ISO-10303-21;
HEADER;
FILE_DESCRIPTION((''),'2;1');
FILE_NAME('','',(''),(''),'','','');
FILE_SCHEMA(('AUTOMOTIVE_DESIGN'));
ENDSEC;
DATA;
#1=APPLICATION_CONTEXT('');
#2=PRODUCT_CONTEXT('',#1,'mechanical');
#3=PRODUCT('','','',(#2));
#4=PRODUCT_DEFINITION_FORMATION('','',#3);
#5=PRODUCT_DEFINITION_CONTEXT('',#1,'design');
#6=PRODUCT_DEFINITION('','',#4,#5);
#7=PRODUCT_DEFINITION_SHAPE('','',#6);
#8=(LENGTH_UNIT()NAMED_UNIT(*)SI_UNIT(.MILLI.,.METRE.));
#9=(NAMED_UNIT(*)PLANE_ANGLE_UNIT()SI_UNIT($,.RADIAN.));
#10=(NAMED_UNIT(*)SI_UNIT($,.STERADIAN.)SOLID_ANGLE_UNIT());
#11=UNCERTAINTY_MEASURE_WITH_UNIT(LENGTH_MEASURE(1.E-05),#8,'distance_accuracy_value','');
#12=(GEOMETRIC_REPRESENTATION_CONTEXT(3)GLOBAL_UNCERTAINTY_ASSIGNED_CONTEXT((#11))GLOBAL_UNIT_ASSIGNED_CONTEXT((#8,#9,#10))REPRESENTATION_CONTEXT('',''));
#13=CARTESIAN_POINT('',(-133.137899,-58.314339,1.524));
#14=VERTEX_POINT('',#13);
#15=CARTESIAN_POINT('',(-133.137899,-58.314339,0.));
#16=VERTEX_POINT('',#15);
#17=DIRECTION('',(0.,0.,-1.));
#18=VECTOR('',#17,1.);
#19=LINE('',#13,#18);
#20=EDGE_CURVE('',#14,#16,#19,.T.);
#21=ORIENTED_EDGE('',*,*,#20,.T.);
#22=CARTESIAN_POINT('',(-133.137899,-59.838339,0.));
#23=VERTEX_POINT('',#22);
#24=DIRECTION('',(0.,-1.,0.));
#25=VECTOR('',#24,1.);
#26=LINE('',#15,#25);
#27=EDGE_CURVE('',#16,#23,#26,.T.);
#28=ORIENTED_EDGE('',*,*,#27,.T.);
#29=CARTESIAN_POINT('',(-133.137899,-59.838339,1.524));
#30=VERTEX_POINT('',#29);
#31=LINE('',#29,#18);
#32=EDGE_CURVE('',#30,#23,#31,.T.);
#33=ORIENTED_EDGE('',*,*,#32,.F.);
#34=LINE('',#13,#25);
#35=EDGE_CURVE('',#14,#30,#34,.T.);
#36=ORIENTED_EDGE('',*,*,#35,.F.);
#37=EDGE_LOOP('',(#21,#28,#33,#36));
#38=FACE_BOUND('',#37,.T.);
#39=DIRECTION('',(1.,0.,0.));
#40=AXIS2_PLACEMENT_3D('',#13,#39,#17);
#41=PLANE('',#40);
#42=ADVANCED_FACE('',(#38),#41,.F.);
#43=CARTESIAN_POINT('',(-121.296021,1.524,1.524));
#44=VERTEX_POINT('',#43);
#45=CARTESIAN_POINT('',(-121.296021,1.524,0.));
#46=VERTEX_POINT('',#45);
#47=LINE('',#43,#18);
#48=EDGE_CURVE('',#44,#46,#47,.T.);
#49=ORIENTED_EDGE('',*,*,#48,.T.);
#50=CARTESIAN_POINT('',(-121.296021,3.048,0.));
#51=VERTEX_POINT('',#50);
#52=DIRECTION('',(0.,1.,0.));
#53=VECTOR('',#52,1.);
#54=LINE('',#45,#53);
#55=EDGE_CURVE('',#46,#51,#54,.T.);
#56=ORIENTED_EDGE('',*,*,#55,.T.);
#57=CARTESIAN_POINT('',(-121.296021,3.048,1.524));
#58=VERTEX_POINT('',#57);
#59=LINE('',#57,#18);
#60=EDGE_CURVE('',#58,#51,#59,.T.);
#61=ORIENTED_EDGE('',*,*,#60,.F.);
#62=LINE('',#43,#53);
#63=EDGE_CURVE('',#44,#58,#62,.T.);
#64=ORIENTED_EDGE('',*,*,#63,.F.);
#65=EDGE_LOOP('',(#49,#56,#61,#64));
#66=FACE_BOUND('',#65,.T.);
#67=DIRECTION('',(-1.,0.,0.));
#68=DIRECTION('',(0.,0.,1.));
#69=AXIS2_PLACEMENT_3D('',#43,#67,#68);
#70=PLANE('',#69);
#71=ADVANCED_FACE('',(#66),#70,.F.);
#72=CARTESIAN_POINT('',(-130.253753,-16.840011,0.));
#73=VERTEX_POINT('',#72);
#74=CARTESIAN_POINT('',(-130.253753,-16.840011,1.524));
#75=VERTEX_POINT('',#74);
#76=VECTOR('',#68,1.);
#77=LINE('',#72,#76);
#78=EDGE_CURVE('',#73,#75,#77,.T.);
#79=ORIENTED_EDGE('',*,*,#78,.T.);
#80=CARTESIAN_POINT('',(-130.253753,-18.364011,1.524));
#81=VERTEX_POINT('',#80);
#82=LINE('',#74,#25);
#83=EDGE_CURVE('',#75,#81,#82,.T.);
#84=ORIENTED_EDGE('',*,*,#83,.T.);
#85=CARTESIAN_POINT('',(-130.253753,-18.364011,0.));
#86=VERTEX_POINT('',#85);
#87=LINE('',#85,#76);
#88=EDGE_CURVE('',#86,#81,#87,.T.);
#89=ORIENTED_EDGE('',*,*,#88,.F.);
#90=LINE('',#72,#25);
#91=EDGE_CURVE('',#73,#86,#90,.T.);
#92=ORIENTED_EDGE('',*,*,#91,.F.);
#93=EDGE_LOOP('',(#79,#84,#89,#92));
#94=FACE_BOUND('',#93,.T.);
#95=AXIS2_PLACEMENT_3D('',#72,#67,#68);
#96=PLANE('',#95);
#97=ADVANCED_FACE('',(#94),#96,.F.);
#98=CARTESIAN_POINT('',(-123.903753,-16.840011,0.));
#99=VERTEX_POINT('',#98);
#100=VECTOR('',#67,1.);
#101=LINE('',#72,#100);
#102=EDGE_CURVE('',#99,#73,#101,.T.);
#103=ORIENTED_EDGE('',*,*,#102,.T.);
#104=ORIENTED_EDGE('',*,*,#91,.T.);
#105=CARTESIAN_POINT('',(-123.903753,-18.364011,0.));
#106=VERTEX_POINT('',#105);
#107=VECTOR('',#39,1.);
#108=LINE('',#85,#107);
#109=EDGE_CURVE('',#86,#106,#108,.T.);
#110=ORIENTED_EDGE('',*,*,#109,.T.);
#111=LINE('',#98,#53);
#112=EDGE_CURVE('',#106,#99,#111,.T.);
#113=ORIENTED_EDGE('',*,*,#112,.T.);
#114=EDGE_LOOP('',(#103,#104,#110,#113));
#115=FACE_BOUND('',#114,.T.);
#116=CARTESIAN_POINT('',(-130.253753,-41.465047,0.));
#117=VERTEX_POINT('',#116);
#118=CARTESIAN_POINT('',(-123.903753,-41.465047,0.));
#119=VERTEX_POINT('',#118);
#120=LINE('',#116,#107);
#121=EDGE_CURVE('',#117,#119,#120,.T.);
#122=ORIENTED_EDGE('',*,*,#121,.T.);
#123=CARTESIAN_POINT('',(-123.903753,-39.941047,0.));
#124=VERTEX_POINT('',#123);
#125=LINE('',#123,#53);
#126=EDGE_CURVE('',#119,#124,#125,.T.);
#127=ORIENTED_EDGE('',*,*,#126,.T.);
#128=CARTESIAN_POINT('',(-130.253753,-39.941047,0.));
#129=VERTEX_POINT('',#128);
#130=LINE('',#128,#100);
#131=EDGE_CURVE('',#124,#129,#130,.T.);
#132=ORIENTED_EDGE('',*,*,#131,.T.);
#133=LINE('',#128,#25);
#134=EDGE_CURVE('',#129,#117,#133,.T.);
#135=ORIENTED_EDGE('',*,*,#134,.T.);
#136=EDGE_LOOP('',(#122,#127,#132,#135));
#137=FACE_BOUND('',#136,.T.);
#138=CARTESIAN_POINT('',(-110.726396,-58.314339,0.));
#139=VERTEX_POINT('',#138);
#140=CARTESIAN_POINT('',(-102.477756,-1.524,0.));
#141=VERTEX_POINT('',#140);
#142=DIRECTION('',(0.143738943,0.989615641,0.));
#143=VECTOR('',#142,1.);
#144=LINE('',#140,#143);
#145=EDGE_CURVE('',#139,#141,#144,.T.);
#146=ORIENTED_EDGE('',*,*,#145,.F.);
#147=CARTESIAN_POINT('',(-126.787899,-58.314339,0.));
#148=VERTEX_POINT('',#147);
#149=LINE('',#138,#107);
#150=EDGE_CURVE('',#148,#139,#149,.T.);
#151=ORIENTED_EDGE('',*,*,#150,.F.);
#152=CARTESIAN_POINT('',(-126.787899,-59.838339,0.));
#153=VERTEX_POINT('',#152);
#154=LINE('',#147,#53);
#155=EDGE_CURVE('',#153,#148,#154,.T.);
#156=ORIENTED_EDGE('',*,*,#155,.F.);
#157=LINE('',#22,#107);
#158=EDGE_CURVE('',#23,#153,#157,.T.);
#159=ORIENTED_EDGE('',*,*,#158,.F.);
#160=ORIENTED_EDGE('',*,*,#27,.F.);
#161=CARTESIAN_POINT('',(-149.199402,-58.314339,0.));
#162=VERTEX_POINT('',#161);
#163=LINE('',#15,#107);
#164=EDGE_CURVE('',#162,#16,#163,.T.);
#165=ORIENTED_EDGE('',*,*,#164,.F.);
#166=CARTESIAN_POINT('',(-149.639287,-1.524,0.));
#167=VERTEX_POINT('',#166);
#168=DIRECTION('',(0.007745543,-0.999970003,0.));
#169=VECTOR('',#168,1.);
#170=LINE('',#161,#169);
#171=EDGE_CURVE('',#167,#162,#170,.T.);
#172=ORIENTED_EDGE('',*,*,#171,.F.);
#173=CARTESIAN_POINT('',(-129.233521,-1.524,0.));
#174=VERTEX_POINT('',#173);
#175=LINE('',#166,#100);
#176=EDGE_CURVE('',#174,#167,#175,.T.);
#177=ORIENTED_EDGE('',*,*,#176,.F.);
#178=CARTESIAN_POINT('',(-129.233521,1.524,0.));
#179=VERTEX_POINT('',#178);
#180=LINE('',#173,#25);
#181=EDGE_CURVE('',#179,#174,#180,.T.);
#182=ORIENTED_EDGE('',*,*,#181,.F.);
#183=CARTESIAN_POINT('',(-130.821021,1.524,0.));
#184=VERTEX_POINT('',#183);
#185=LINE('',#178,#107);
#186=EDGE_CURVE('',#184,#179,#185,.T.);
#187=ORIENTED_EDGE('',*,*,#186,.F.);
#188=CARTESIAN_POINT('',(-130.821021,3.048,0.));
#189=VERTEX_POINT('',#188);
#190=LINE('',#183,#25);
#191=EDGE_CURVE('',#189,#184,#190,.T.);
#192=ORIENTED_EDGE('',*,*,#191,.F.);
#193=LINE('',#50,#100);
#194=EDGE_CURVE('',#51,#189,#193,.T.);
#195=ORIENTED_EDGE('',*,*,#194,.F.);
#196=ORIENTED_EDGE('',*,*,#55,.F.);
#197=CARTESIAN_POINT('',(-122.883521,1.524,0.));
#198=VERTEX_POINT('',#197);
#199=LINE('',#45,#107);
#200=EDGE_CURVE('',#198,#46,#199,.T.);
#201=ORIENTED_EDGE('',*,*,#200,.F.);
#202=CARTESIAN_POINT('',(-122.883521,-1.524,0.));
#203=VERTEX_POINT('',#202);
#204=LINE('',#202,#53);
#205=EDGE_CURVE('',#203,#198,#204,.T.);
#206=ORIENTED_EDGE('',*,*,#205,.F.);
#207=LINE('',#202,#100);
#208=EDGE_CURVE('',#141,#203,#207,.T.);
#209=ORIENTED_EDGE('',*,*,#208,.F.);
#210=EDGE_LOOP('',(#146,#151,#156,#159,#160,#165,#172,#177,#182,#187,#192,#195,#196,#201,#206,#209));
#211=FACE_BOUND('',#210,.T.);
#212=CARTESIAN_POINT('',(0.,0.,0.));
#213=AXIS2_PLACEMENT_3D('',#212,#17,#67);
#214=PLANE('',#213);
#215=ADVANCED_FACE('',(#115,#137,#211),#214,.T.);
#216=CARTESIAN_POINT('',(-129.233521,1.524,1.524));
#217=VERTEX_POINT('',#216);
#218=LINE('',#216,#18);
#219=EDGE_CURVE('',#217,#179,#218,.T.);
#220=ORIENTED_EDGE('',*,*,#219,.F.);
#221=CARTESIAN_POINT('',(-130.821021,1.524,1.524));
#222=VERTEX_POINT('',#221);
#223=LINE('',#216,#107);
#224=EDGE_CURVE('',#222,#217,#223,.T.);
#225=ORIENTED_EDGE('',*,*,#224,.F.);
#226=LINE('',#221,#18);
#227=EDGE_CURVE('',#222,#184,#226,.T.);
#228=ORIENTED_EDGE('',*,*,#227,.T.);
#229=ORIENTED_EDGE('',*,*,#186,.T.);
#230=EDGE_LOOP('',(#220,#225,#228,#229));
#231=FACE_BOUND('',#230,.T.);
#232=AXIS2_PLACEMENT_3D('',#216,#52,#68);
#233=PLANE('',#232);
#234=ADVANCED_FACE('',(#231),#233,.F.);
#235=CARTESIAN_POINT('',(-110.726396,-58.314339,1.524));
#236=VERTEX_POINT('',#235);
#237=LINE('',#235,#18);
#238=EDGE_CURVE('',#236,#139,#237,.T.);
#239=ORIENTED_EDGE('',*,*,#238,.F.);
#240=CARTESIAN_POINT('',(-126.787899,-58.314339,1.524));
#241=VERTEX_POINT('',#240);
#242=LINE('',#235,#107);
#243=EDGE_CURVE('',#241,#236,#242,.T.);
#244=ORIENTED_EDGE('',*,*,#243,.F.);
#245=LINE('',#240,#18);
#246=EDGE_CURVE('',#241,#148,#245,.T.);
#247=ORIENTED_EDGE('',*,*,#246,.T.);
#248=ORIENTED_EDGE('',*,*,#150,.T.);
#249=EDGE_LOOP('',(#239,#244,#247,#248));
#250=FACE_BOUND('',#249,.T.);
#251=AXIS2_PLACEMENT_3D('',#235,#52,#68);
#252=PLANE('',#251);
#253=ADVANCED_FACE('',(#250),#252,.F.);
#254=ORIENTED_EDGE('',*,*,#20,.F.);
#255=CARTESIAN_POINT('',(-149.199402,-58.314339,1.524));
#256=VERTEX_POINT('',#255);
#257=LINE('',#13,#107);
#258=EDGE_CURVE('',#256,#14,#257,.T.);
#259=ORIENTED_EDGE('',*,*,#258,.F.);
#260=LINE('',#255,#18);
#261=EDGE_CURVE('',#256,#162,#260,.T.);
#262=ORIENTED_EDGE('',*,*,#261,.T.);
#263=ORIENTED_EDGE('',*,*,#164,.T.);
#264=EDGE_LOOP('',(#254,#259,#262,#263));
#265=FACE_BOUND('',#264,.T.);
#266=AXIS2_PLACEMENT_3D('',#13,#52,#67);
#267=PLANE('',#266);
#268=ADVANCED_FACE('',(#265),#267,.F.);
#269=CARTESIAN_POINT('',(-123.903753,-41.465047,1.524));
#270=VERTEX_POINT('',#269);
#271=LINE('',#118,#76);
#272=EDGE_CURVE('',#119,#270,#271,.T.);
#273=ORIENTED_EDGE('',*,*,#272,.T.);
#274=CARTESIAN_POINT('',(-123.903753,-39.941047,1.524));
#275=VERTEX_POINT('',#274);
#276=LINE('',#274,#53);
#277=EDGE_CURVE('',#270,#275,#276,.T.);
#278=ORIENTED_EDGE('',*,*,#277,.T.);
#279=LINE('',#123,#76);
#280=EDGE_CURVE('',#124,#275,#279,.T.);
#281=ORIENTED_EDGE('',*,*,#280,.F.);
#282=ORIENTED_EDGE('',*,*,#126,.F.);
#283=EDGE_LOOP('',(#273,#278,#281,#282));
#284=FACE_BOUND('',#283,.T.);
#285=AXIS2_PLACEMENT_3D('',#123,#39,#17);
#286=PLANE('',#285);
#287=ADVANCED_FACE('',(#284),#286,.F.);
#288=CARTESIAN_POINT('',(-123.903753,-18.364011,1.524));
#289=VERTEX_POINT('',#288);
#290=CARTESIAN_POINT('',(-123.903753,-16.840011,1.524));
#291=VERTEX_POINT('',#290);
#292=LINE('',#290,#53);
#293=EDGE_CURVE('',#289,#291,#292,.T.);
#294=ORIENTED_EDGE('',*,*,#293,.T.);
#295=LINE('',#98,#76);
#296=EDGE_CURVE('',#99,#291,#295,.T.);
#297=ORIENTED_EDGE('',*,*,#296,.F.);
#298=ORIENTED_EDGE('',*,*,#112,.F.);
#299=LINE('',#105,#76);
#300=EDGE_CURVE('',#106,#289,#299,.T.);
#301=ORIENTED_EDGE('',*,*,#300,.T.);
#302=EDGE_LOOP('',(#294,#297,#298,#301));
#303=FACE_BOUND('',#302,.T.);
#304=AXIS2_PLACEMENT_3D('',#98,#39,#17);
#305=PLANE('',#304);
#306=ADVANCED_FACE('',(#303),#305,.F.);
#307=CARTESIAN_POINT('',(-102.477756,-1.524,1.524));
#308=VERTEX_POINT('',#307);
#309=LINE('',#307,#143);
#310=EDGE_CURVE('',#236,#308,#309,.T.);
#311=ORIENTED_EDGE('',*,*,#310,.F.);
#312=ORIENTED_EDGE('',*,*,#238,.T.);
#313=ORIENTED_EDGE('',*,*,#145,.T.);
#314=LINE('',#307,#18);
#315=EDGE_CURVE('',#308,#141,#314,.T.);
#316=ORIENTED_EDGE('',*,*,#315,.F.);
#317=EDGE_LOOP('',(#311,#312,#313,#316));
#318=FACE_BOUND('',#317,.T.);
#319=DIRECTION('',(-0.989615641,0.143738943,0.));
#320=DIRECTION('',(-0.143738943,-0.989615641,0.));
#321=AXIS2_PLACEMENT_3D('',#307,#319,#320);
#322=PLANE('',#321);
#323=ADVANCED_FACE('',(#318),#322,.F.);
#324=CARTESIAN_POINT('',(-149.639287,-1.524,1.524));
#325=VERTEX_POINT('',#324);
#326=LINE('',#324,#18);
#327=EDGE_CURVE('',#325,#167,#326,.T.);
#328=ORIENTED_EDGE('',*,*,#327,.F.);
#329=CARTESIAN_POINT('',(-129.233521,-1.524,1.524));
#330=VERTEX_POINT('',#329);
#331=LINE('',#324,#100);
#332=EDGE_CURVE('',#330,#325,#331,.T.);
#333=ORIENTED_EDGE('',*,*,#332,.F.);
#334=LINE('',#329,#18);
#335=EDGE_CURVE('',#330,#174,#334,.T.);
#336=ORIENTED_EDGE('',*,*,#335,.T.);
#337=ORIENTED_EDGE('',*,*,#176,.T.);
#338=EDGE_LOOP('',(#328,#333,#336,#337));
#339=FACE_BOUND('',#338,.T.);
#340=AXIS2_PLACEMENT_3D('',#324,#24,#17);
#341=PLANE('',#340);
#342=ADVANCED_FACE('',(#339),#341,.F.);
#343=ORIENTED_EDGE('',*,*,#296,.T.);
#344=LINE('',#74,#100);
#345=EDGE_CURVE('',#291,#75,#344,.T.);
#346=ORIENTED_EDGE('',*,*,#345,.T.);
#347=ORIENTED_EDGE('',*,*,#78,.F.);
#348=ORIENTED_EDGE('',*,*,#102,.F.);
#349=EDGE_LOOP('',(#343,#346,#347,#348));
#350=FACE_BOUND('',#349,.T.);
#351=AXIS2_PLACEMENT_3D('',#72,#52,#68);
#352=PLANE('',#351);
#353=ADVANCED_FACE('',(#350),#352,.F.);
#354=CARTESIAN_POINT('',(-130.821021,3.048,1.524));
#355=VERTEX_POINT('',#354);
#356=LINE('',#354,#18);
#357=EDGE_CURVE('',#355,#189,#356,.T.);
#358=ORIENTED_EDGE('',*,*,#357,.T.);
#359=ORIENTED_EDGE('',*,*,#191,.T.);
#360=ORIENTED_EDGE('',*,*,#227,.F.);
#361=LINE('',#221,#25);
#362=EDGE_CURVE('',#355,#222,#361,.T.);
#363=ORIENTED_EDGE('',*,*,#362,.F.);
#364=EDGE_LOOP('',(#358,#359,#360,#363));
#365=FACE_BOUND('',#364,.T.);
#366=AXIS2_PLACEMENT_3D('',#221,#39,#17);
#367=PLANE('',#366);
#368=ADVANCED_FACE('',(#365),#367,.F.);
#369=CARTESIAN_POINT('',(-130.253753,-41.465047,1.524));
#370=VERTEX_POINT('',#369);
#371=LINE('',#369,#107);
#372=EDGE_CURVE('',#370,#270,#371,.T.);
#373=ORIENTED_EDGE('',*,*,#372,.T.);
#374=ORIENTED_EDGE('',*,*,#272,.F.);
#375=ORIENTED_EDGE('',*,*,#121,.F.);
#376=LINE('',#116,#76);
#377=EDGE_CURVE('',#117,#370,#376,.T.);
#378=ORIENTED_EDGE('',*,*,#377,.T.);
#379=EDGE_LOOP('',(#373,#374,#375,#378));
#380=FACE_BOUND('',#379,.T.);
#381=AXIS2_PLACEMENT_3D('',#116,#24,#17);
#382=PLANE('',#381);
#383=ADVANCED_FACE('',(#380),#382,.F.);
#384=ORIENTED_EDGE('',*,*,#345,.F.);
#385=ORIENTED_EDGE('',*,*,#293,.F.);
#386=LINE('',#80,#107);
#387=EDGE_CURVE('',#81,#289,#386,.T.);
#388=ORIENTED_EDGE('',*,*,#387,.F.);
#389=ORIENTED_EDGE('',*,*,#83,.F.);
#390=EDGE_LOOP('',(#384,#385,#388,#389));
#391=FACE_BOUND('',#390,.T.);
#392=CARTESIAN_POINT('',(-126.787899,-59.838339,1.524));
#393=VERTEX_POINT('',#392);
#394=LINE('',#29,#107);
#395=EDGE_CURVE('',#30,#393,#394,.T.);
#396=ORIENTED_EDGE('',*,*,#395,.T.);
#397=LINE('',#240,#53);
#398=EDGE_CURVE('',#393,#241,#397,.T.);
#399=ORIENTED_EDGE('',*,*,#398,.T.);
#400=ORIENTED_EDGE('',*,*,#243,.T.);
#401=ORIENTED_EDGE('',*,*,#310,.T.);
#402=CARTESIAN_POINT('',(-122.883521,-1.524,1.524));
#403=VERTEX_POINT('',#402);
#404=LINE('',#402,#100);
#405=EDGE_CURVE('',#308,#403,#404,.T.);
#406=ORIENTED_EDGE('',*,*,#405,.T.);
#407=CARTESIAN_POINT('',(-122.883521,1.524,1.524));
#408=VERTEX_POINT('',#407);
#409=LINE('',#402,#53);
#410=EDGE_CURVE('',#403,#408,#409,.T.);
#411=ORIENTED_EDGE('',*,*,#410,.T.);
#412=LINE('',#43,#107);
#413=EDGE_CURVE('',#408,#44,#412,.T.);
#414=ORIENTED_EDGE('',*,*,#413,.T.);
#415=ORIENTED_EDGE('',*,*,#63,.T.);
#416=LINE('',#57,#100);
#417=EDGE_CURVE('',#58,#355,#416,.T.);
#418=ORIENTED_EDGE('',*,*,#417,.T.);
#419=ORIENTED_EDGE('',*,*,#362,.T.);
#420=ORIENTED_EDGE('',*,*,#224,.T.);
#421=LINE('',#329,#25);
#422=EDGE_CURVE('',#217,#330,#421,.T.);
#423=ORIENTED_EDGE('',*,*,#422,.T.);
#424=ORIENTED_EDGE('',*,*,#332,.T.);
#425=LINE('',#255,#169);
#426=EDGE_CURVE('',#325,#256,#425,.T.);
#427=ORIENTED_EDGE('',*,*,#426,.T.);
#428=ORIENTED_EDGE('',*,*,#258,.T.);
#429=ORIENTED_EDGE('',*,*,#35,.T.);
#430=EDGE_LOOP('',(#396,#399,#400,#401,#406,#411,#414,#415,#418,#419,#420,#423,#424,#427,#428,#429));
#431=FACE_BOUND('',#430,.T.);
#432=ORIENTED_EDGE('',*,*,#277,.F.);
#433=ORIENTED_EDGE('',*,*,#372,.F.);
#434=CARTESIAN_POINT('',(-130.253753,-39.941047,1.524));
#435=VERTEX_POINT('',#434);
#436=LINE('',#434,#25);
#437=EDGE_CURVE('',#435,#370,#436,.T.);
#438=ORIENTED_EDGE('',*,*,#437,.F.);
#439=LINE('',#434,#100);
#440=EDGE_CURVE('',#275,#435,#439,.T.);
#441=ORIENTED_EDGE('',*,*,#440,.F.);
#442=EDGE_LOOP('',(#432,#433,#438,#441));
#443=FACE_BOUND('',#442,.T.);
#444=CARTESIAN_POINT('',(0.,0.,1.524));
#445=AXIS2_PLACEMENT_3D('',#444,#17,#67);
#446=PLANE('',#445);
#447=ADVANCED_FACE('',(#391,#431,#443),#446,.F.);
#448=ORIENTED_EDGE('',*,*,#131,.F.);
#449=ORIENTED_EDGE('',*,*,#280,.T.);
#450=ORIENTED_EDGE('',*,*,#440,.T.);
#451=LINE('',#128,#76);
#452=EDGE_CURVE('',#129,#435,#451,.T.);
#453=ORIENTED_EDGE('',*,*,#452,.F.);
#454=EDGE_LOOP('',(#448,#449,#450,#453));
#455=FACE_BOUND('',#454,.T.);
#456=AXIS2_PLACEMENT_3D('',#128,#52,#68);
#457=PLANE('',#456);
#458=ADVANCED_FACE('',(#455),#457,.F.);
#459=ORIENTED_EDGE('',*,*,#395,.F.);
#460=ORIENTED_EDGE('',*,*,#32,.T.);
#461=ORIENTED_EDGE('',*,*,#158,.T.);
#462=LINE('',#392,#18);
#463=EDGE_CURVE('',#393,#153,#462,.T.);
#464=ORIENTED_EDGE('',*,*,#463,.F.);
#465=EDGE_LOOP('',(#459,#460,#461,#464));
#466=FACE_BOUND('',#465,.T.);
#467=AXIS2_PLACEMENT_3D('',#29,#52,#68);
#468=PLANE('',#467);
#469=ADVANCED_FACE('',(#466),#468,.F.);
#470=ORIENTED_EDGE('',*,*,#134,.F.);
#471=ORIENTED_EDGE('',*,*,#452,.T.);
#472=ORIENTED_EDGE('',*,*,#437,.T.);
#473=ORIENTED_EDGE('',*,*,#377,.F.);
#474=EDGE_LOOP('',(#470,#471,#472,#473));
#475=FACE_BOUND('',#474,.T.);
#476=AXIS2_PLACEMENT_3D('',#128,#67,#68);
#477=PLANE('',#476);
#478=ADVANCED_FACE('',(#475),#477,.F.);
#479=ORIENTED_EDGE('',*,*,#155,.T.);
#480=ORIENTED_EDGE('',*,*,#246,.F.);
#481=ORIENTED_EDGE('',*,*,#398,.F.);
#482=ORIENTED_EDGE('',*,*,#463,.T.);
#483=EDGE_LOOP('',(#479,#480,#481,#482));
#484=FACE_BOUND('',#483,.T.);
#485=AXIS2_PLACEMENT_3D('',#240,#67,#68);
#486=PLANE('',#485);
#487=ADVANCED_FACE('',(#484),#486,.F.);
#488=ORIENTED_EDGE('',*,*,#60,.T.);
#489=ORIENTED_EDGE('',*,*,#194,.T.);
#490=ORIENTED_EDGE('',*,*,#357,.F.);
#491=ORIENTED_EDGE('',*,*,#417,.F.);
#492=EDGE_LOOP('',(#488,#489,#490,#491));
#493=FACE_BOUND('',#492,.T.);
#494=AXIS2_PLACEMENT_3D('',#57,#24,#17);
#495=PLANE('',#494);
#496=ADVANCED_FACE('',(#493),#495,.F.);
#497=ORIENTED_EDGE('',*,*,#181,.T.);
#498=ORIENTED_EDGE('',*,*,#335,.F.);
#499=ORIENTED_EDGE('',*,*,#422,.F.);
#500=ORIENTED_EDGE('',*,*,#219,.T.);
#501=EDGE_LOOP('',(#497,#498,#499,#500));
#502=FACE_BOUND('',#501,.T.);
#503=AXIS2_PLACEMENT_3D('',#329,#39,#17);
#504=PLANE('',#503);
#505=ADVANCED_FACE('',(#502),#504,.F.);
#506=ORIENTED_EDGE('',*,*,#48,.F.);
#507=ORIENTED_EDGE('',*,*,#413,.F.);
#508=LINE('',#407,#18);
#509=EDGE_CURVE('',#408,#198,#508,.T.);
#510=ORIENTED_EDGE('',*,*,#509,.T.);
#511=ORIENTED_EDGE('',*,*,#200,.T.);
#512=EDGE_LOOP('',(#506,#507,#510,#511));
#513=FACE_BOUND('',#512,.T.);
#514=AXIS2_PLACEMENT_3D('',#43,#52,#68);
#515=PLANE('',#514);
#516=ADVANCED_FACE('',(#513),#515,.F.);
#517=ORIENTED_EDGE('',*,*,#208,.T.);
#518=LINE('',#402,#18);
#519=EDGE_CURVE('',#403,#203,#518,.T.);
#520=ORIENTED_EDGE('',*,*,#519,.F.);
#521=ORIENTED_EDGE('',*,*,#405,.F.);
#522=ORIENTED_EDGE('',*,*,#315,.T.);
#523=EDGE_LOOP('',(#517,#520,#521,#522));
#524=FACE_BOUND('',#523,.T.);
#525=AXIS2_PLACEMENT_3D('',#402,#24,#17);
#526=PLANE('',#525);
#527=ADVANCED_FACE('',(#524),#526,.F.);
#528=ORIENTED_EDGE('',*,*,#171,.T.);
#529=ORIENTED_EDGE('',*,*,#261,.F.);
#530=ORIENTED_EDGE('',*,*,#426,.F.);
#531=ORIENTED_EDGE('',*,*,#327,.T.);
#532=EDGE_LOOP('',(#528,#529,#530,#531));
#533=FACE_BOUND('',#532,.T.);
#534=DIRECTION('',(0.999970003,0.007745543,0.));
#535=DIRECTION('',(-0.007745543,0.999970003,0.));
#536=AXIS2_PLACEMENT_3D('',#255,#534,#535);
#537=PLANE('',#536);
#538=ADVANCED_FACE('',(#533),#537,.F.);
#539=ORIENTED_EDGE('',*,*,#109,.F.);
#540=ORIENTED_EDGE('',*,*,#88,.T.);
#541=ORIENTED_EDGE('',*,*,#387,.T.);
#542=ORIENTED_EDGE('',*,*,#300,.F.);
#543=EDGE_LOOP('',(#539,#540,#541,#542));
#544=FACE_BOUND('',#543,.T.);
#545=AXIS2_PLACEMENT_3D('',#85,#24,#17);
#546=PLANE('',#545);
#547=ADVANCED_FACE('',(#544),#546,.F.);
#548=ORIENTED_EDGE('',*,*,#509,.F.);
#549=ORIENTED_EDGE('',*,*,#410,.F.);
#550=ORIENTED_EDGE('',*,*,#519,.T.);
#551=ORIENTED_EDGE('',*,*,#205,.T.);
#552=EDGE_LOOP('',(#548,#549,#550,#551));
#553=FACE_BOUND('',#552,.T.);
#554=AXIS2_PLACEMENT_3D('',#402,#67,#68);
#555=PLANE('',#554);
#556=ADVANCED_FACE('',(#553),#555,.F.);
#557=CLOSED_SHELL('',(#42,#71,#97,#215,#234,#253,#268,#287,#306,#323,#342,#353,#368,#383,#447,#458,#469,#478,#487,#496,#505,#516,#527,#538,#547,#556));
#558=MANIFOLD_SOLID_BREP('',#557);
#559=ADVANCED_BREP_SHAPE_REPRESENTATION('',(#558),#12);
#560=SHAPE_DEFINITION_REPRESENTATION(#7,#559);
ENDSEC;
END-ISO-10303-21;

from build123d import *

# Parameters (mm, degrees)
BOSS_EXTRUDE1_DEPTH = 1.524
SKETCH2_W           = 6.35
SKETCH2_H           = 1.524
CUT_EXTRUDE1_DEPTH  = 1.524


with BuildPart() as part:
    # Sketch1 → Boss-Extrude1 (new body)
    with BuildSketch(Plane.XY):
        Polygon((-102.477755775, -1.524), (-110.726395883, -58.314338926), (-126.787898899, -58.314338926), (-126.787898899, -59.838338926), (-133.137898899, -59.838338926), (-133.137898899, -58.314338926), (-149.199401915, -58.314338926), (-149.6392871, -1.524), (-129.233521437, -1.524), (-129.233521437, 1.524), (-130.821021437, 1.524), (-130.821021437, 3.048), (-121.296021437, 3.048), (-121.296021437, 1.524), (-122.883521437, 1.524), (-122.883521437, -1.524), align=None)
    extrude(amount=BOSS_EXTRUDE1_DEPTH)

    # Sketch2 → Cut-Extrude1 (cut)
    with BuildSketch(Plane.XY.offset(1.524)):
        with Locations((-127.078752717, -40.703047377)):
            Rectangle(SKETCH2_W, SKETCH2_H)
        with Locations((-127.078752717, -17.602011312)):
            Rectangle(SKETCH2_W, SKETCH2_H)
    extrude(amount=-CUT_EXTRUDE1_DEPTH, mode=Mode.SUBTRACT)


solid = part.part
